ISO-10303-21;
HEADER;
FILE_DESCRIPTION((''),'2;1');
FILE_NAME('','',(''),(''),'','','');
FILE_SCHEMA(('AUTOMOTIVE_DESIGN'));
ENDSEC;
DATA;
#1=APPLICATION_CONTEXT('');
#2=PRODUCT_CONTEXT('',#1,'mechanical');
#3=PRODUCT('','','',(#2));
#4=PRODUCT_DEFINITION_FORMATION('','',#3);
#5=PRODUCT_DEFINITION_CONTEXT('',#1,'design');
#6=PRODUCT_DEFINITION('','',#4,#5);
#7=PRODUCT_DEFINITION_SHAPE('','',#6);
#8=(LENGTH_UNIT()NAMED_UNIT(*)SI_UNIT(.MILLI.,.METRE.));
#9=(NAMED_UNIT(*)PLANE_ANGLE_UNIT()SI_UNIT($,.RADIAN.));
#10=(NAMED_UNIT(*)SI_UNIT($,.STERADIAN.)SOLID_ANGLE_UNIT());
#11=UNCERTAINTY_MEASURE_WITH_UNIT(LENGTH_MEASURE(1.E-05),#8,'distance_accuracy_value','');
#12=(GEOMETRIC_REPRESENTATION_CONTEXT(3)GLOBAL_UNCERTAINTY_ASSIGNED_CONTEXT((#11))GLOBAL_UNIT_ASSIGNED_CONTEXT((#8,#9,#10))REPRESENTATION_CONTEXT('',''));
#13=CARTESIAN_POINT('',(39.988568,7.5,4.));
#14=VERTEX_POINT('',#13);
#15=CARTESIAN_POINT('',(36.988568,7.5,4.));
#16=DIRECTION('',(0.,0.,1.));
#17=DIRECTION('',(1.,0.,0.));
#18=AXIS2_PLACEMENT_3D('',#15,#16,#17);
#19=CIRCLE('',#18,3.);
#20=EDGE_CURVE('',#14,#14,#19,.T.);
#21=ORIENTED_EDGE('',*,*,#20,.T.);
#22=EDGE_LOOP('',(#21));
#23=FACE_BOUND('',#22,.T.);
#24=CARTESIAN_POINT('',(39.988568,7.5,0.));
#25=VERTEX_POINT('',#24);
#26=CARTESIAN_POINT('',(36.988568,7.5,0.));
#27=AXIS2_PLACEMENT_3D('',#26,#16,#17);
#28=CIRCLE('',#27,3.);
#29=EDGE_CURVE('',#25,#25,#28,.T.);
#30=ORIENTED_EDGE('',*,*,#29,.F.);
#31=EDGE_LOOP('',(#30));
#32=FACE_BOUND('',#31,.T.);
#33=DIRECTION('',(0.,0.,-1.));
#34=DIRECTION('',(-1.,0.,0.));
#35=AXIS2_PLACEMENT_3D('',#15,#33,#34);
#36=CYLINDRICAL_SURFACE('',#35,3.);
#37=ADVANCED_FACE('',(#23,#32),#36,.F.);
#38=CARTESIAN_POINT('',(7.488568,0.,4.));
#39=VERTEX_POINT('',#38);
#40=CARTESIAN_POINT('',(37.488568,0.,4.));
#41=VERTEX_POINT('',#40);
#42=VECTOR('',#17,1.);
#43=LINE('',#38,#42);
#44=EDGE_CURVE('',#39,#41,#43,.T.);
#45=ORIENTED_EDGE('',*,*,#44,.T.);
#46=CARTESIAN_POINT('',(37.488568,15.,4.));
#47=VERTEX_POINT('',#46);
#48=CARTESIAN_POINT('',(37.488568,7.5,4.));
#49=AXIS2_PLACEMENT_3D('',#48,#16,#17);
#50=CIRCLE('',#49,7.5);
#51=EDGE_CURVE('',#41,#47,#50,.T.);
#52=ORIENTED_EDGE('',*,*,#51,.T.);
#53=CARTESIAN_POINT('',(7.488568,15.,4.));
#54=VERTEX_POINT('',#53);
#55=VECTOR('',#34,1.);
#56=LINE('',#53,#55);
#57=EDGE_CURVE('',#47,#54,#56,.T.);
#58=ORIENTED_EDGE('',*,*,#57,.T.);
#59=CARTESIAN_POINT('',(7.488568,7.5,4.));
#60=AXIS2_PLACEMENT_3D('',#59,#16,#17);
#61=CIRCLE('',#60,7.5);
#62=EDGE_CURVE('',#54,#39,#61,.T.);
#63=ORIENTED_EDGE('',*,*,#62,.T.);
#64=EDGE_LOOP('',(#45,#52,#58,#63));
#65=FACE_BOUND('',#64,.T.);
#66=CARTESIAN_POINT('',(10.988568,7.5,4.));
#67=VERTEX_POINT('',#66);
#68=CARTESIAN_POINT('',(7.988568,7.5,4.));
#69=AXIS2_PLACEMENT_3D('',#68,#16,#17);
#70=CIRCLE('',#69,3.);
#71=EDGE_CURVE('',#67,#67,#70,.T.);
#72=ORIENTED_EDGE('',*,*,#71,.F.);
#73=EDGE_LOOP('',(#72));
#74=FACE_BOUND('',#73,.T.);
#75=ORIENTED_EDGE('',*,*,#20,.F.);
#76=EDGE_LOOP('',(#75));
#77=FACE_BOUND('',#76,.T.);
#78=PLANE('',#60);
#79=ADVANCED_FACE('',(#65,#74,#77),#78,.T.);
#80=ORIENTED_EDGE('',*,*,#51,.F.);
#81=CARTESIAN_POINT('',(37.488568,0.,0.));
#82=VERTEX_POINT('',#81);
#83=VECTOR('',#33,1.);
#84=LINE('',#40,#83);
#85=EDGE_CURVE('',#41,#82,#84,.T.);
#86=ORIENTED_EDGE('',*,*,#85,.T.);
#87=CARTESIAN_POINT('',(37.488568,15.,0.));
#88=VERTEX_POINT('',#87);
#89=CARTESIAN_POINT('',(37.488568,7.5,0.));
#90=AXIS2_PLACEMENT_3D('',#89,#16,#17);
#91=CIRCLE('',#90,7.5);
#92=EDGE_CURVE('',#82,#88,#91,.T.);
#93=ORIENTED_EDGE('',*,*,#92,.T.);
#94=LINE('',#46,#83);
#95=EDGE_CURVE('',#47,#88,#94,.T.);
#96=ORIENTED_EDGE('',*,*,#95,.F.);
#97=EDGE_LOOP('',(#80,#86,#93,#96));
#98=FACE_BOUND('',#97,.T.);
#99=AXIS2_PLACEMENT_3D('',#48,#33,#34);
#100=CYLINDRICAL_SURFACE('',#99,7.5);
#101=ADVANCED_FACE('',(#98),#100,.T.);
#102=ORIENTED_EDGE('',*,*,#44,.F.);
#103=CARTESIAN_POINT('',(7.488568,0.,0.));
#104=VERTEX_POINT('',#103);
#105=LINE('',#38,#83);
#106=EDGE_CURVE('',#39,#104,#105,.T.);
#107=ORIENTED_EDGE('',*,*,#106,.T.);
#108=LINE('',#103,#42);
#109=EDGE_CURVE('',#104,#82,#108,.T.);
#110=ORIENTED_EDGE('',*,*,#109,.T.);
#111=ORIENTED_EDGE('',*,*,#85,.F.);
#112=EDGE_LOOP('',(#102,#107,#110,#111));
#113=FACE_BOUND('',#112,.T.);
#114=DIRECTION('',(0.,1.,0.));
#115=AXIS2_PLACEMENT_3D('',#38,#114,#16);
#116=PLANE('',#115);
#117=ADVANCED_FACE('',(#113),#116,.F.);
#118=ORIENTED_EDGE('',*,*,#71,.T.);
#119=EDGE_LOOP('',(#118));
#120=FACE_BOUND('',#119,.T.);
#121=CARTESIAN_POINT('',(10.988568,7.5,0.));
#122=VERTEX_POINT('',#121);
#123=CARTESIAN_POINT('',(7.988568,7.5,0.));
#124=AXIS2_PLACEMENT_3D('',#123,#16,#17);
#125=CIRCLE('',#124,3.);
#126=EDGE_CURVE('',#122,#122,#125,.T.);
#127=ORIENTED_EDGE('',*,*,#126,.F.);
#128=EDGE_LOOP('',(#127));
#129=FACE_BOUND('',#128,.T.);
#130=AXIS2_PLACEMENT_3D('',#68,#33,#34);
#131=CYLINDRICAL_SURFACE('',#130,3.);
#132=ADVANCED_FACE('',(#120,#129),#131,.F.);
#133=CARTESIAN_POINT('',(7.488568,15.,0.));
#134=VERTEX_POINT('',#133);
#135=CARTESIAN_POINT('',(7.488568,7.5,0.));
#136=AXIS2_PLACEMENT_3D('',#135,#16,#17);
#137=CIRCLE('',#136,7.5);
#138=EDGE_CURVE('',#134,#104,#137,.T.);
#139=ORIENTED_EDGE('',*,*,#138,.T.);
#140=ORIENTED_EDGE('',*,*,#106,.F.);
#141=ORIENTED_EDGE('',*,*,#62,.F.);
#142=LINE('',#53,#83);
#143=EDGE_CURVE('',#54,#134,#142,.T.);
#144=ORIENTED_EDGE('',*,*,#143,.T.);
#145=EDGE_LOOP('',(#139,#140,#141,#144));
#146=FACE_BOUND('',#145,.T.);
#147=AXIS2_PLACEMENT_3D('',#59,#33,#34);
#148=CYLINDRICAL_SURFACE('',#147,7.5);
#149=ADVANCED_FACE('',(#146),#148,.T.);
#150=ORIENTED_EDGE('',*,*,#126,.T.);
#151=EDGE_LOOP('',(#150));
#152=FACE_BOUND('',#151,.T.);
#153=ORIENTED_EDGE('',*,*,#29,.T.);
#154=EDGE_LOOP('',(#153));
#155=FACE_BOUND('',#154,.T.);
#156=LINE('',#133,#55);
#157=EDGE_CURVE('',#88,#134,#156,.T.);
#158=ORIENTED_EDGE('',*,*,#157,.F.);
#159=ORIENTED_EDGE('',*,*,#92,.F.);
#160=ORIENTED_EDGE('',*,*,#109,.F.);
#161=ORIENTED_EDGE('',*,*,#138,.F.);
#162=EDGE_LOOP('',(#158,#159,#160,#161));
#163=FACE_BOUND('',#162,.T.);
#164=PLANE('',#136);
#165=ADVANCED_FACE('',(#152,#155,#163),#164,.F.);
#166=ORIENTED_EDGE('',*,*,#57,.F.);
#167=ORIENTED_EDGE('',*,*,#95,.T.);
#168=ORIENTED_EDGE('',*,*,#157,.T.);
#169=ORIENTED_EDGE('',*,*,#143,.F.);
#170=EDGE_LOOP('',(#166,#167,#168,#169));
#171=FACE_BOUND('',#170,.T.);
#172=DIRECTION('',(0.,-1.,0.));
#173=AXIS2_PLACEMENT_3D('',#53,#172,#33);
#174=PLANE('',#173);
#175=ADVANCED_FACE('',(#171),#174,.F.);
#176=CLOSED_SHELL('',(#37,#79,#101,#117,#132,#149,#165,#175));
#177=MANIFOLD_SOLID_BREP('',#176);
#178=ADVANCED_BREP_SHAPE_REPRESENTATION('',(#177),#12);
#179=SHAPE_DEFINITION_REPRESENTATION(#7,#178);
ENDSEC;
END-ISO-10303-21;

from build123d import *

# Parameters (mm, degrees)
SKETCH_1_R      = 3
EXTRUDE_1_DEPTH = 4


with BuildPart() as part:
    # Эскиз1 → Бобышка-Вытянуть1 (new body)
    with BuildSketch(Plane.XY):
        with BuildLine():
            Line((7.488567898, 0), (37.488567898, 0))
            ThreePointArc((37.488567898, 0), (44.988567898, 7.5), (37.488567898, 15))
            Line((37.488567898, 15), (7.488567898, 15))
            ThreePointArc((7.488567898, 15), (-0.011432102, 7.5), (7.488567898, 0))
        make_face()
        with Locations((7.988567898, 7.5)):
            Circle(SKETCH_1_R, mode=Mode.SUBTRACT)
        with Locations((36.988567898, 7.5)):
            Circle(SKETCH_1_R, mode=Mode.SUBTRACT)
    extrude(amount=EXTRUDE_1_DEPTH)


solid = part.part
